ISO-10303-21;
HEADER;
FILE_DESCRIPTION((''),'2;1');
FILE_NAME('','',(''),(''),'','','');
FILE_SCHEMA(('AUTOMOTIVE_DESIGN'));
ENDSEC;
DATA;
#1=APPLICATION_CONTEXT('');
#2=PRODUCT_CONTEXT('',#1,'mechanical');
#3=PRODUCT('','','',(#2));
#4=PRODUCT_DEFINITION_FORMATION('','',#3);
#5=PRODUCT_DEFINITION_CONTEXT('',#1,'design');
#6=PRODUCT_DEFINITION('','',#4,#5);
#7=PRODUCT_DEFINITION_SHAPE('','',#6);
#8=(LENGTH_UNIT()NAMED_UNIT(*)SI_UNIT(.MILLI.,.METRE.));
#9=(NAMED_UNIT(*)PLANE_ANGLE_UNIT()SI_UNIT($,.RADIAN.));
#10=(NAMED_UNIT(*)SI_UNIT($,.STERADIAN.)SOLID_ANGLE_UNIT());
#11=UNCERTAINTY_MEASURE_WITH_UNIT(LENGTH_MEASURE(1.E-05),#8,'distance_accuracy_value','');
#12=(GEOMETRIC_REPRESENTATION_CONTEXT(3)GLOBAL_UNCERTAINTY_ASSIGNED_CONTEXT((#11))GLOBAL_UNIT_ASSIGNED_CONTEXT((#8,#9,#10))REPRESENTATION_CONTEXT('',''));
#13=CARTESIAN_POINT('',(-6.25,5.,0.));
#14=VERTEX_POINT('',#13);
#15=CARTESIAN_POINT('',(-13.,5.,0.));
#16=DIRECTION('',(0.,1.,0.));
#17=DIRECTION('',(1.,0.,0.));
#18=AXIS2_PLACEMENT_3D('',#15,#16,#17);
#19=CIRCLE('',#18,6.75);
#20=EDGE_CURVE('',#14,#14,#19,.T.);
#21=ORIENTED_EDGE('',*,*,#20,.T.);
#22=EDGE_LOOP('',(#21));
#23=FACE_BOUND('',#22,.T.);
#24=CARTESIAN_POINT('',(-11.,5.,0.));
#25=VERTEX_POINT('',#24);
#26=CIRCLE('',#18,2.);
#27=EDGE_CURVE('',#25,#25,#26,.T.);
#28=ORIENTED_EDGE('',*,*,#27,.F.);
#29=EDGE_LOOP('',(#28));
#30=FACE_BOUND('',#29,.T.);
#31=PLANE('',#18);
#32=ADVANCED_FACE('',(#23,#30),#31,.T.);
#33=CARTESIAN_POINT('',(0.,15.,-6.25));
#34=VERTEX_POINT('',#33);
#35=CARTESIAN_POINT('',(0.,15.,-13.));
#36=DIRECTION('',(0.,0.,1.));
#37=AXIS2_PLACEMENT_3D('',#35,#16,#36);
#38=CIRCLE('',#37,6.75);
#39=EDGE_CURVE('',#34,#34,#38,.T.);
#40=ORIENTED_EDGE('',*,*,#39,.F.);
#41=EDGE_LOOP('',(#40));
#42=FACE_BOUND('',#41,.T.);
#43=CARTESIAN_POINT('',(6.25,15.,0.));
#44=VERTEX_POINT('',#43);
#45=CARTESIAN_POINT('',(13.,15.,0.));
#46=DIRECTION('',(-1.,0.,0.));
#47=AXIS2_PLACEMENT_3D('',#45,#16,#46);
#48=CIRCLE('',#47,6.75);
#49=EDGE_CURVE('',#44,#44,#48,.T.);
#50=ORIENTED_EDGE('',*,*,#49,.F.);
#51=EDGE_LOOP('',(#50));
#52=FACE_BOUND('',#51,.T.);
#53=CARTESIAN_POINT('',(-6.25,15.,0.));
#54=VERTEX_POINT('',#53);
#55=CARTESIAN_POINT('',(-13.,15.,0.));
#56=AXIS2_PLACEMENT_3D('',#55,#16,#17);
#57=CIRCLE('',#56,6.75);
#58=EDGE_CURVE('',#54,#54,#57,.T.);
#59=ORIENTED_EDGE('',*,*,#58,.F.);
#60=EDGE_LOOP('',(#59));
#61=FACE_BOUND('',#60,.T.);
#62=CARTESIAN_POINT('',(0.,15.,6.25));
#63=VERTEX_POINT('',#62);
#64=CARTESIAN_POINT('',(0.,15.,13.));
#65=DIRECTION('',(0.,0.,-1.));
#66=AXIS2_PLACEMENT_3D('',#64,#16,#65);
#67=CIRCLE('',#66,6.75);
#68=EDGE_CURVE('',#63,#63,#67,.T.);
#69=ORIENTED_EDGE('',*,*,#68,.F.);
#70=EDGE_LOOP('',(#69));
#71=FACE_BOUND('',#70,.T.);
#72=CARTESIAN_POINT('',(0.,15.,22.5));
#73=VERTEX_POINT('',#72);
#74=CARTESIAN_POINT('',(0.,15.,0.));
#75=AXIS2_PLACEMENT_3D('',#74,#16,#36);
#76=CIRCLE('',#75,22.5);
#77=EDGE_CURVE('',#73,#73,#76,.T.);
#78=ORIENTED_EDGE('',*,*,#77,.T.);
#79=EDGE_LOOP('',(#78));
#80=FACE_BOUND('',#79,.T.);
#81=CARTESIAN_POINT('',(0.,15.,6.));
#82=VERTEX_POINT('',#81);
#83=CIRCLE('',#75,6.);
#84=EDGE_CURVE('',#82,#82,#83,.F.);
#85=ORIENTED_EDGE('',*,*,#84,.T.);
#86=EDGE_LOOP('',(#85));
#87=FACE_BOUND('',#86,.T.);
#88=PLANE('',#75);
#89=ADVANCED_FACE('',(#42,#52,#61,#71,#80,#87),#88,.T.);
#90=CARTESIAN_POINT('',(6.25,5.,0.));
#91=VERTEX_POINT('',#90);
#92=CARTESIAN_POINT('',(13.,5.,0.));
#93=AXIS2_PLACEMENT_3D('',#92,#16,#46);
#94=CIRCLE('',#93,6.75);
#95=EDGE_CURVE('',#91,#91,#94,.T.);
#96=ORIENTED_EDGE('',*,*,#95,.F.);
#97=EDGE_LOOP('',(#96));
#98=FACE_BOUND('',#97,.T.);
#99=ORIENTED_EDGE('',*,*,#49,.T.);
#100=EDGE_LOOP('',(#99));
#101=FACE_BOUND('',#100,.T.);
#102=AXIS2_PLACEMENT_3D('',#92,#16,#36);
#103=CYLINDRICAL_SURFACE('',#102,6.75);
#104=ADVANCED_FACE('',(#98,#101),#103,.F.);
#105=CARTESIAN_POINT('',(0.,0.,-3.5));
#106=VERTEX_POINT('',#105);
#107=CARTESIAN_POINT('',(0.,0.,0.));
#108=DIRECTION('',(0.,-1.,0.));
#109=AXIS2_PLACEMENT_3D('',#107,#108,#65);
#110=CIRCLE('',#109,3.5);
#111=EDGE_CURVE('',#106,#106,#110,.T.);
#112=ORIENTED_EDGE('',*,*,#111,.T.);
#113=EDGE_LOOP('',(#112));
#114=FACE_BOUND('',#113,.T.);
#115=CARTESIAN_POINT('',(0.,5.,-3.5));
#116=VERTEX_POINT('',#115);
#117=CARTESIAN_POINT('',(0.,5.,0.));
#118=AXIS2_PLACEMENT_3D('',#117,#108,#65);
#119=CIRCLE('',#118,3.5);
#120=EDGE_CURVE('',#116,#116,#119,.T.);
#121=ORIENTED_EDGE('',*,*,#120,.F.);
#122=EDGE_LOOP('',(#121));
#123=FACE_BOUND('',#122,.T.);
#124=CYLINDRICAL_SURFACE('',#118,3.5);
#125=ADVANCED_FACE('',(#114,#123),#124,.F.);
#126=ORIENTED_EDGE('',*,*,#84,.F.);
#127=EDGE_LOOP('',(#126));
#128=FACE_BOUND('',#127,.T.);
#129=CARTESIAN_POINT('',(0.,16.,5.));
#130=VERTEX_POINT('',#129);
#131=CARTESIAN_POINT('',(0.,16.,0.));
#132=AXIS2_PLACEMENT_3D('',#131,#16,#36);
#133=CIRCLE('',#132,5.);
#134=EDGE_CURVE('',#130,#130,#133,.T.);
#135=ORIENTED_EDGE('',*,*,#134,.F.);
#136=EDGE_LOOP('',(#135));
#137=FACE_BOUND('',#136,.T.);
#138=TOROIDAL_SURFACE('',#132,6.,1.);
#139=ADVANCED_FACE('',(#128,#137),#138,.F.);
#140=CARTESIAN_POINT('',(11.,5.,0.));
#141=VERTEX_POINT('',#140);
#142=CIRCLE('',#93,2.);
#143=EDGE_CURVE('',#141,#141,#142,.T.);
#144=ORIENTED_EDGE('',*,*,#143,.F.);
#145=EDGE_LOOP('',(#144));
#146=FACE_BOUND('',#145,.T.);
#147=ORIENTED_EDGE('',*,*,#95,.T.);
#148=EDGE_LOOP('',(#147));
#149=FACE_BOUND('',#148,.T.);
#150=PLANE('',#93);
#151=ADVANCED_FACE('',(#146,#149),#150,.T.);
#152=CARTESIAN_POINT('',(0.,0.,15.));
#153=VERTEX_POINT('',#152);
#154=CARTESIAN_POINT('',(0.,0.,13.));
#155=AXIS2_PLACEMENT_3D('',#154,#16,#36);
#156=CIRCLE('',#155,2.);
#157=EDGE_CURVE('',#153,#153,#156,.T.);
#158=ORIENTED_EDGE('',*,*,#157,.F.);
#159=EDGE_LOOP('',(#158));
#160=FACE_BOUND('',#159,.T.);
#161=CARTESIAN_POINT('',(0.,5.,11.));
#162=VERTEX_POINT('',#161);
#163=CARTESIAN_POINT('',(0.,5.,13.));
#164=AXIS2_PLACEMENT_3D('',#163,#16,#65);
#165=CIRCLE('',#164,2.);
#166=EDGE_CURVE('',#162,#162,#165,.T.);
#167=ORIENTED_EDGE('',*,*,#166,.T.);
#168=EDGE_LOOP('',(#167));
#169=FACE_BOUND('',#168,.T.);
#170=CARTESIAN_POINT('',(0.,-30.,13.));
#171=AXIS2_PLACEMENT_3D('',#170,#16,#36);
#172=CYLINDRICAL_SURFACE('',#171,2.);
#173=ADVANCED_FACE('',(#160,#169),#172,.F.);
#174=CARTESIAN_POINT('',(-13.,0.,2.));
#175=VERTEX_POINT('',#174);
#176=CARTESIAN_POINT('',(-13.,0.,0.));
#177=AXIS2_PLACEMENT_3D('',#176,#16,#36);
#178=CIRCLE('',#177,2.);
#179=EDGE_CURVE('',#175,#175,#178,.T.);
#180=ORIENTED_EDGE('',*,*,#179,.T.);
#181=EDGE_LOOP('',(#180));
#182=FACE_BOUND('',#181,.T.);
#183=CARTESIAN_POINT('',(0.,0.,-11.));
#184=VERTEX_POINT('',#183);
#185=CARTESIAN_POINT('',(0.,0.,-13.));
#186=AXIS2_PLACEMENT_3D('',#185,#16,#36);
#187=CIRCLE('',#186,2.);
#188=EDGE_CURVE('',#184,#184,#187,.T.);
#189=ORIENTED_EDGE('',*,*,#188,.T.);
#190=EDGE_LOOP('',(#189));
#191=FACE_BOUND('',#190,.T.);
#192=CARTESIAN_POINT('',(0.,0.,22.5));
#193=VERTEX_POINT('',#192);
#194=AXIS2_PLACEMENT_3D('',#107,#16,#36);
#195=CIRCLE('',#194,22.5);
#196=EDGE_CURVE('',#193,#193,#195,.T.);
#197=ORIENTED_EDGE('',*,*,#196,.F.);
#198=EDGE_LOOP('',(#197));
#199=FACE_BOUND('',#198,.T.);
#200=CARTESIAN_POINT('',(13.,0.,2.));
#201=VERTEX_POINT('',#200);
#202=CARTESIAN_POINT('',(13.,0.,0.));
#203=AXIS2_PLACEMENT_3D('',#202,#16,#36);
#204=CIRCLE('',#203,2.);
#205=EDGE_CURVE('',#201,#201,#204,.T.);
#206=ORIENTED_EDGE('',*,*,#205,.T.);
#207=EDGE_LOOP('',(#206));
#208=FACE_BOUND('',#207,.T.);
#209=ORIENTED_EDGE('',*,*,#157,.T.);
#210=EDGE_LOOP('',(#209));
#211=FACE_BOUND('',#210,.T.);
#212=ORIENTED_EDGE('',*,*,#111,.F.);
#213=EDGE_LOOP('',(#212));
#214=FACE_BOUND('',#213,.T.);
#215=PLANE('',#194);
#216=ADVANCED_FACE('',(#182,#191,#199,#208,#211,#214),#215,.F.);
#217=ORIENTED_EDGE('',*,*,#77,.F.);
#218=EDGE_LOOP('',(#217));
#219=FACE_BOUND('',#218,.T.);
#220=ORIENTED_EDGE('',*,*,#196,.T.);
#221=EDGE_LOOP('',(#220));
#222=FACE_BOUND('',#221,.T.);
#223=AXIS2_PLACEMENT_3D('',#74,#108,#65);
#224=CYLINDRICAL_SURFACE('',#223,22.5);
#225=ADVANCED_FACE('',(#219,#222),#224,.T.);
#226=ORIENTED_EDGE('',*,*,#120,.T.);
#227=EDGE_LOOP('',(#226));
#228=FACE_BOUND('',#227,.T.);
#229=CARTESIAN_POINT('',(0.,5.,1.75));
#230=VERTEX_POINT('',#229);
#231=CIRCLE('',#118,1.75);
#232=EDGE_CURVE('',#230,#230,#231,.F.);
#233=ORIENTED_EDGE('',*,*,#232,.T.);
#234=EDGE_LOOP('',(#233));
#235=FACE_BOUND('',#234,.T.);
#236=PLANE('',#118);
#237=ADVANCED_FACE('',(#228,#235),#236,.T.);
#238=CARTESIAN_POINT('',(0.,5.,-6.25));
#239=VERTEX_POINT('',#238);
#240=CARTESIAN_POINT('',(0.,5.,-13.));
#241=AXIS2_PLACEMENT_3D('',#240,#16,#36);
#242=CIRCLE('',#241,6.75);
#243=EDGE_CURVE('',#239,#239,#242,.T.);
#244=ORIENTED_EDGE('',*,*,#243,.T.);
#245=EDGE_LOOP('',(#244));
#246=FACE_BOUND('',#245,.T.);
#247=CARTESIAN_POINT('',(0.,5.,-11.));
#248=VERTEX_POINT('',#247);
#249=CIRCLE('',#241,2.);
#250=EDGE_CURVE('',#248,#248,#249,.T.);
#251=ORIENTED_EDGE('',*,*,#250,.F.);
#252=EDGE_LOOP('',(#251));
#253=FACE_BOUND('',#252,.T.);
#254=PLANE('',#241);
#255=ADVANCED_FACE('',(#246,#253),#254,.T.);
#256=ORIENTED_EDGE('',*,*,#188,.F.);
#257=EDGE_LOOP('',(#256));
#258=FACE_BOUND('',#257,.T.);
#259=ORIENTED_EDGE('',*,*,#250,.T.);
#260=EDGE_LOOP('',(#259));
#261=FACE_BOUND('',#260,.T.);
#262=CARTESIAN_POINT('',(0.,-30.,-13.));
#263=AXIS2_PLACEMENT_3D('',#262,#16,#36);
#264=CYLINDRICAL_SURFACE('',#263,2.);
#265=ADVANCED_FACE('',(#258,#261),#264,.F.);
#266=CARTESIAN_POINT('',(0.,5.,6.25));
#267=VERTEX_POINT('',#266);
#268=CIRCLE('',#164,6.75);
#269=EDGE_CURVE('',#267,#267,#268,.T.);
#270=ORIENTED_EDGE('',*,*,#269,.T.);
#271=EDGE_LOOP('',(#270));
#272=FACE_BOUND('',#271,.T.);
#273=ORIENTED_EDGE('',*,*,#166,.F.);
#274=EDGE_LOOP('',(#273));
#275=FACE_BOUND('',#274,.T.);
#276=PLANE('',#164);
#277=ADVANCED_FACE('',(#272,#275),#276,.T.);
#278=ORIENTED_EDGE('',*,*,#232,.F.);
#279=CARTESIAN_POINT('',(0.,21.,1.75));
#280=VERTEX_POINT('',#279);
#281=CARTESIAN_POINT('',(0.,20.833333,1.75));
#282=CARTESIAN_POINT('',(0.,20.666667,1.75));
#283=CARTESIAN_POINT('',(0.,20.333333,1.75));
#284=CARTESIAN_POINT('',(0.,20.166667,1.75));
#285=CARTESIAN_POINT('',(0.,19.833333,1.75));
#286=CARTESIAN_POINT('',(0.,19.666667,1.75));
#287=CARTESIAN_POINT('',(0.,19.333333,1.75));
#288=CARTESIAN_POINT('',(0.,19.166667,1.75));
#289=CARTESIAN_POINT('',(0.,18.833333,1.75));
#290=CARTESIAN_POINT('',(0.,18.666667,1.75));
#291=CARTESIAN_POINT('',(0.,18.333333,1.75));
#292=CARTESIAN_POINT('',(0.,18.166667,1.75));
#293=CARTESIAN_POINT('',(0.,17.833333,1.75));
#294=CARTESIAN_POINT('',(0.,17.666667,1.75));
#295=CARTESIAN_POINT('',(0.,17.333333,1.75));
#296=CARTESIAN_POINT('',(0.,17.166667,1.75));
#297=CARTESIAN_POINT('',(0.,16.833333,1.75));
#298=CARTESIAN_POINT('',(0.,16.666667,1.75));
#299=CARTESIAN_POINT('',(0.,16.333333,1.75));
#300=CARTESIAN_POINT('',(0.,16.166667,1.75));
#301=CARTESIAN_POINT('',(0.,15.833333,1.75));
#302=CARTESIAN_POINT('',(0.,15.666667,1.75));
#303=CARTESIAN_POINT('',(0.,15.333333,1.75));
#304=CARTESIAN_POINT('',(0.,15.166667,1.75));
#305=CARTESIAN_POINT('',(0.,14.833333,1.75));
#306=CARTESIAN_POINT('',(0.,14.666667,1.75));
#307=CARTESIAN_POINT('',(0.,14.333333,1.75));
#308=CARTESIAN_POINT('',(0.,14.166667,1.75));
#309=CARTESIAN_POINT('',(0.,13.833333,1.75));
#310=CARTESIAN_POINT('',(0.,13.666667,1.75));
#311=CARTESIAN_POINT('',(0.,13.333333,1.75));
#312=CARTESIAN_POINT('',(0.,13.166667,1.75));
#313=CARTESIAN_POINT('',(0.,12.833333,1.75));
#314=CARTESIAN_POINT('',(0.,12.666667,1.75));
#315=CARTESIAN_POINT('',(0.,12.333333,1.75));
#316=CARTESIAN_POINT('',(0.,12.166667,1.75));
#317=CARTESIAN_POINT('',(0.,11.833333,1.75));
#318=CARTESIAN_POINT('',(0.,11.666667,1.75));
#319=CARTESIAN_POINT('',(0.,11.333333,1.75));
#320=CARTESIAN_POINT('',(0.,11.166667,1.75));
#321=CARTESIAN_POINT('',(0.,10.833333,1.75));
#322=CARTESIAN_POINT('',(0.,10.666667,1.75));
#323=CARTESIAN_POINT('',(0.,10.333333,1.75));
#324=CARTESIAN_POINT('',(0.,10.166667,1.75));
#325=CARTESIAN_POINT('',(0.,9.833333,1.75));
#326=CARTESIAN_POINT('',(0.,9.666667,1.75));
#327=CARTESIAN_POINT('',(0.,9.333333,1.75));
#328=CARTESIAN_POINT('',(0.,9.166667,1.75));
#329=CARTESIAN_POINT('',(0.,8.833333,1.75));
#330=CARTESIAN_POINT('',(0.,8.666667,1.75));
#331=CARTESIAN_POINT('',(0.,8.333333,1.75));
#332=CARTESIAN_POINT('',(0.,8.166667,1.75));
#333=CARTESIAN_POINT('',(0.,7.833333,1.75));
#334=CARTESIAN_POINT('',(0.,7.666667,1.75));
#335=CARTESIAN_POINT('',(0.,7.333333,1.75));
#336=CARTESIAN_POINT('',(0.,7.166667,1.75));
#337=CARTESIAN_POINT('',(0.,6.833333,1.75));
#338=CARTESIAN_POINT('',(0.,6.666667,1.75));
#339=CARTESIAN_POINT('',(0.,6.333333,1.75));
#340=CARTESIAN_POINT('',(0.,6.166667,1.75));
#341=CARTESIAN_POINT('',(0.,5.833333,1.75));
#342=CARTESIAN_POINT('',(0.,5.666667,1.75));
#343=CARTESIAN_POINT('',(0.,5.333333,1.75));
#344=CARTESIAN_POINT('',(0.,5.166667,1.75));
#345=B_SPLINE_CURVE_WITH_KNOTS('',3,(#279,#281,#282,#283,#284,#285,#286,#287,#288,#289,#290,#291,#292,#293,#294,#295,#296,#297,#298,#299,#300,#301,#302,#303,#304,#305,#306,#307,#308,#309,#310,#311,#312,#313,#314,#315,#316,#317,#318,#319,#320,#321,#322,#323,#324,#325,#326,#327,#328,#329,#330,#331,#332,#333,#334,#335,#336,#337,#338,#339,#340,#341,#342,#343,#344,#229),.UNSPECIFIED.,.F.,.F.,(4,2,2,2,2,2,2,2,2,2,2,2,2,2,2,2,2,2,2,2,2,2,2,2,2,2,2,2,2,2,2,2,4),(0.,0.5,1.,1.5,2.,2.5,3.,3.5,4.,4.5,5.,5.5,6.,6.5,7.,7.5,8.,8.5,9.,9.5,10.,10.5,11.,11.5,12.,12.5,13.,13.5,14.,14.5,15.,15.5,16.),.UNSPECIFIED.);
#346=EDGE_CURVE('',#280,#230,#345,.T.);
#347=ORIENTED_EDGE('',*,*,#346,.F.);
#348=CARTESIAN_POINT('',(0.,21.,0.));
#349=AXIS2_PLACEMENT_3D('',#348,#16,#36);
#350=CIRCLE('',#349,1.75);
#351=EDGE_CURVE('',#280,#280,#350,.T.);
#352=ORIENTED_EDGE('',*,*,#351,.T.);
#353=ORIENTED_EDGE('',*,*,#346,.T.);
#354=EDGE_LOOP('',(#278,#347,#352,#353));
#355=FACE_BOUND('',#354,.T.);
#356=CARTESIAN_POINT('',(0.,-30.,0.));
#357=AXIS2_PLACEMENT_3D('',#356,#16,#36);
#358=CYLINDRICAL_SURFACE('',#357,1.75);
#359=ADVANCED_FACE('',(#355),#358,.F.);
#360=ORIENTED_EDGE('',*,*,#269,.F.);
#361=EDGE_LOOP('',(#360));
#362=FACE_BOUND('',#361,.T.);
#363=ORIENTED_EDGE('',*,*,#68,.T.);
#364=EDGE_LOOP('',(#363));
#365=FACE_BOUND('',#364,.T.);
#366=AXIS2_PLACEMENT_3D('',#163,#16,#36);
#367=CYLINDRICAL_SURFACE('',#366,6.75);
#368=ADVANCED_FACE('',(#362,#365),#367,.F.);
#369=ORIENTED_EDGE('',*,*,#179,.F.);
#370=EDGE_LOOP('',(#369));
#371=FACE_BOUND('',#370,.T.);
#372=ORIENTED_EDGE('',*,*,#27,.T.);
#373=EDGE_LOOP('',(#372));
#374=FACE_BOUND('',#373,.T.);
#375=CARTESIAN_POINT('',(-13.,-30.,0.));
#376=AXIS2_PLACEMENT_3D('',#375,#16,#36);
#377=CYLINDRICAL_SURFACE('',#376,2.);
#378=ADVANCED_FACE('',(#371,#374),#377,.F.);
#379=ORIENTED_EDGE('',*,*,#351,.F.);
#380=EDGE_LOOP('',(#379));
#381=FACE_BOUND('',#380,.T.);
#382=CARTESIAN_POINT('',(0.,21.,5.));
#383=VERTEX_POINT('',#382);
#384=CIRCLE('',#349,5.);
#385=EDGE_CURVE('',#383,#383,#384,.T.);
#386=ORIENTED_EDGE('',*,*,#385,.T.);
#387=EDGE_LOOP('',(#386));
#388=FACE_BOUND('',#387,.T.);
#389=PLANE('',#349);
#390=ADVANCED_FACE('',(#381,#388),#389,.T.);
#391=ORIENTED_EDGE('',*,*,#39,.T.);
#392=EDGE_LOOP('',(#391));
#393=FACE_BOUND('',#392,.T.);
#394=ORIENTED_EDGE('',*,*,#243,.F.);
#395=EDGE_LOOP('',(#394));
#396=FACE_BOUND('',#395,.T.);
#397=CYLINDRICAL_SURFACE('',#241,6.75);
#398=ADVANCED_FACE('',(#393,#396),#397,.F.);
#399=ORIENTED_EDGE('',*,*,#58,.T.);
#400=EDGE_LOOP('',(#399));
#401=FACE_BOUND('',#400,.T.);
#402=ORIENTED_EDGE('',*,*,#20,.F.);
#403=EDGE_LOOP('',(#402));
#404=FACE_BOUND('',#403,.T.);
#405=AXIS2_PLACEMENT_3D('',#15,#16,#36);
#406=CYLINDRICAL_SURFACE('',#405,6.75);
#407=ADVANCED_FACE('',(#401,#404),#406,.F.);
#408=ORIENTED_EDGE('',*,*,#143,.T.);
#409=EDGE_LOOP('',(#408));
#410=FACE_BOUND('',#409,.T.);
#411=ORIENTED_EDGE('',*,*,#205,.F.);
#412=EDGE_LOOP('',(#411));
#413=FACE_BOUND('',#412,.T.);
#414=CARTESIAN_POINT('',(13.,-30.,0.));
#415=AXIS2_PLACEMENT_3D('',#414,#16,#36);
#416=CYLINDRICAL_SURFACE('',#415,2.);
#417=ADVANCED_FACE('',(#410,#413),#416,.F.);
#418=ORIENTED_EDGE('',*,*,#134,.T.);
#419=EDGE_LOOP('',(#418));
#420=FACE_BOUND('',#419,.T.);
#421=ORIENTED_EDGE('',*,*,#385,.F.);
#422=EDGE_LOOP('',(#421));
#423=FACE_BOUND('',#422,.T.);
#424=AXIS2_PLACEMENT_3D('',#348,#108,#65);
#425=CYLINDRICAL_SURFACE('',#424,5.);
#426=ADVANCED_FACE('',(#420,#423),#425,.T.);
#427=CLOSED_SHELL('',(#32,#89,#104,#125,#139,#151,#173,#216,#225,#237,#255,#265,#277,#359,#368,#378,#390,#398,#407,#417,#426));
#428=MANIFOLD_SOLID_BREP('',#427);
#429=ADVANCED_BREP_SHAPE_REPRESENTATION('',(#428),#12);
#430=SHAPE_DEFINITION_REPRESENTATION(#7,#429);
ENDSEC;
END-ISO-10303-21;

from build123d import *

# Parameters (mm, degrees)
SKETCH1_R           = 22.5
BOSS_EXTRUDE1_DEPTH = 15
SKETCH2_R           = 6.75
CUT_EXTRUDE1_DEPTH  = 10
SKETCH3_R           = 2
CUT_EXTRUDE2_DEPTH  = 35
CIRPATTERN1_COUNT   = 4
SKETCH6_R           = 1.75
CUT_EXTRUDE4_DEPTH  = 45
BOSS_EXTRUDE2_START = 6
SKETCH7_R           = 5
SKETCH7_R_2         = 1.75
BOSS_EXTRUDE2_DEPTH = 6
FILLET1_R           = 1
SKETCH8_R           = 3.5
CUT_EXTRUDE5_DEPTH  = 5


with BuildPart() as part:
    # Sketch1 → Boss-Extrude1 (new body)
    with BuildSketch(Plane(origin=(0, 0, 0), x_dir=(1, 0, 0), z_dir=(0, 1, 0))):
        with Locations(Location((0, 0, 0), (0, 0, 270))):
            Circle(SKETCH1_R)
    extrude(amount=BOSS_EXTRUDE1_DEPTH)

    # Sketch2 → Cut-Extrude1 (cut)
    with BuildSketch(Plane(origin=(0, 15, 0), x_dir=(1, 0, 0), z_dir=(0, 1, 0))):
        with Locations(Location((0, 13, 0), (0, 0, 270))):
            Circle(SKETCH2_R)
    cut_extrude1 = extrude(amount=-CUT_EXTRUDE1_DEPTH, mode=Mode.SUBTRACT)

    # Sketch3 → Cut-Extrude2 (cut)
    with BuildSketch(Plane(origin=(0, 5, 0), x_dir=(1, 0, 0), z_dir=(0, 1, 0))):
        with Locations(Location((0, 13, 0), (0, 0, 270))):
            Circle(SKETCH3_R)
    cut_extrude2 = extrude(amount=-CUT_EXTRUDE2_DEPTH, mode=Mode.SUBTRACT)

    # CirPattern1: Cut-Extrude1, Cut-Extrude2 ×4 about axis
    cirpattern1_axis = Axis((0, 0, 0), (0, 1, 0))
    add([cut_extrude1.rotate(cirpattern1_axis, i * 360 / CIRPATTERN1_COUNT) for i in range(1, CIRPATTERN1_COUNT)], mode=Mode.SUBTRACT)
    add([cut_extrude2.rotate(cirpattern1_axis, i * 360 / CIRPATTERN1_COUNT) for i in range(1, CIRPATTERN1_COUNT)], mode=Mode.SUBTRACT)

    # Sketch6 → Cut-Extrude4 (cut)
    with BuildSketch(Plane(origin=(0, 15, 0), x_dir=(1, 0, 0), z_dir=(0, 1, 0))):
        with Locations(Location((0, 0, 0), (0, 0, 270))):
            Circle(SKETCH6_R)
    extrude(amount=-CUT_EXTRUDE4_DEPTH, mode=Mode.SUBTRACT)

    # Sketch7 → Boss-Extrude2 (add)
    with BuildSketch(Plane(origin=(0, 15, 0), x_dir=(1, 0, 0), z_dir=(0, 1, 0)).offset(BOSS_EXTRUDE2_START)):
        with Locations(Location((0, 0, 0), (0, 0, 270))):
            Circle(SKETCH7_R)
        with Locations(Location((0, 0, 0), (0, 0, 270))):
            Circle(SKETCH7_R_2, mode=Mode.SUBTRACT)
    extrude(amount=-BOSS_EXTRUDE2_DEPTH)

    # Fillet1
    fillet1_edges = [part.edges().sort_by_distance(p)[0] for p in [
        (0, 15, -5),
    ]]
    fillet(fillet1_edges, radius=FILLET1_R)

    # Sketch8 → Cut-Extrude5 (cut)
    with BuildSketch(Plane.XZ):
        with Locations(Location((0, 0, 0), (0, 0, 270))):
            Circle(SKETCH8_R)
    extrude(amount=-CUT_EXTRUDE5_DEPTH, mode=Mode.SUBTRACT)


solid = part.part
